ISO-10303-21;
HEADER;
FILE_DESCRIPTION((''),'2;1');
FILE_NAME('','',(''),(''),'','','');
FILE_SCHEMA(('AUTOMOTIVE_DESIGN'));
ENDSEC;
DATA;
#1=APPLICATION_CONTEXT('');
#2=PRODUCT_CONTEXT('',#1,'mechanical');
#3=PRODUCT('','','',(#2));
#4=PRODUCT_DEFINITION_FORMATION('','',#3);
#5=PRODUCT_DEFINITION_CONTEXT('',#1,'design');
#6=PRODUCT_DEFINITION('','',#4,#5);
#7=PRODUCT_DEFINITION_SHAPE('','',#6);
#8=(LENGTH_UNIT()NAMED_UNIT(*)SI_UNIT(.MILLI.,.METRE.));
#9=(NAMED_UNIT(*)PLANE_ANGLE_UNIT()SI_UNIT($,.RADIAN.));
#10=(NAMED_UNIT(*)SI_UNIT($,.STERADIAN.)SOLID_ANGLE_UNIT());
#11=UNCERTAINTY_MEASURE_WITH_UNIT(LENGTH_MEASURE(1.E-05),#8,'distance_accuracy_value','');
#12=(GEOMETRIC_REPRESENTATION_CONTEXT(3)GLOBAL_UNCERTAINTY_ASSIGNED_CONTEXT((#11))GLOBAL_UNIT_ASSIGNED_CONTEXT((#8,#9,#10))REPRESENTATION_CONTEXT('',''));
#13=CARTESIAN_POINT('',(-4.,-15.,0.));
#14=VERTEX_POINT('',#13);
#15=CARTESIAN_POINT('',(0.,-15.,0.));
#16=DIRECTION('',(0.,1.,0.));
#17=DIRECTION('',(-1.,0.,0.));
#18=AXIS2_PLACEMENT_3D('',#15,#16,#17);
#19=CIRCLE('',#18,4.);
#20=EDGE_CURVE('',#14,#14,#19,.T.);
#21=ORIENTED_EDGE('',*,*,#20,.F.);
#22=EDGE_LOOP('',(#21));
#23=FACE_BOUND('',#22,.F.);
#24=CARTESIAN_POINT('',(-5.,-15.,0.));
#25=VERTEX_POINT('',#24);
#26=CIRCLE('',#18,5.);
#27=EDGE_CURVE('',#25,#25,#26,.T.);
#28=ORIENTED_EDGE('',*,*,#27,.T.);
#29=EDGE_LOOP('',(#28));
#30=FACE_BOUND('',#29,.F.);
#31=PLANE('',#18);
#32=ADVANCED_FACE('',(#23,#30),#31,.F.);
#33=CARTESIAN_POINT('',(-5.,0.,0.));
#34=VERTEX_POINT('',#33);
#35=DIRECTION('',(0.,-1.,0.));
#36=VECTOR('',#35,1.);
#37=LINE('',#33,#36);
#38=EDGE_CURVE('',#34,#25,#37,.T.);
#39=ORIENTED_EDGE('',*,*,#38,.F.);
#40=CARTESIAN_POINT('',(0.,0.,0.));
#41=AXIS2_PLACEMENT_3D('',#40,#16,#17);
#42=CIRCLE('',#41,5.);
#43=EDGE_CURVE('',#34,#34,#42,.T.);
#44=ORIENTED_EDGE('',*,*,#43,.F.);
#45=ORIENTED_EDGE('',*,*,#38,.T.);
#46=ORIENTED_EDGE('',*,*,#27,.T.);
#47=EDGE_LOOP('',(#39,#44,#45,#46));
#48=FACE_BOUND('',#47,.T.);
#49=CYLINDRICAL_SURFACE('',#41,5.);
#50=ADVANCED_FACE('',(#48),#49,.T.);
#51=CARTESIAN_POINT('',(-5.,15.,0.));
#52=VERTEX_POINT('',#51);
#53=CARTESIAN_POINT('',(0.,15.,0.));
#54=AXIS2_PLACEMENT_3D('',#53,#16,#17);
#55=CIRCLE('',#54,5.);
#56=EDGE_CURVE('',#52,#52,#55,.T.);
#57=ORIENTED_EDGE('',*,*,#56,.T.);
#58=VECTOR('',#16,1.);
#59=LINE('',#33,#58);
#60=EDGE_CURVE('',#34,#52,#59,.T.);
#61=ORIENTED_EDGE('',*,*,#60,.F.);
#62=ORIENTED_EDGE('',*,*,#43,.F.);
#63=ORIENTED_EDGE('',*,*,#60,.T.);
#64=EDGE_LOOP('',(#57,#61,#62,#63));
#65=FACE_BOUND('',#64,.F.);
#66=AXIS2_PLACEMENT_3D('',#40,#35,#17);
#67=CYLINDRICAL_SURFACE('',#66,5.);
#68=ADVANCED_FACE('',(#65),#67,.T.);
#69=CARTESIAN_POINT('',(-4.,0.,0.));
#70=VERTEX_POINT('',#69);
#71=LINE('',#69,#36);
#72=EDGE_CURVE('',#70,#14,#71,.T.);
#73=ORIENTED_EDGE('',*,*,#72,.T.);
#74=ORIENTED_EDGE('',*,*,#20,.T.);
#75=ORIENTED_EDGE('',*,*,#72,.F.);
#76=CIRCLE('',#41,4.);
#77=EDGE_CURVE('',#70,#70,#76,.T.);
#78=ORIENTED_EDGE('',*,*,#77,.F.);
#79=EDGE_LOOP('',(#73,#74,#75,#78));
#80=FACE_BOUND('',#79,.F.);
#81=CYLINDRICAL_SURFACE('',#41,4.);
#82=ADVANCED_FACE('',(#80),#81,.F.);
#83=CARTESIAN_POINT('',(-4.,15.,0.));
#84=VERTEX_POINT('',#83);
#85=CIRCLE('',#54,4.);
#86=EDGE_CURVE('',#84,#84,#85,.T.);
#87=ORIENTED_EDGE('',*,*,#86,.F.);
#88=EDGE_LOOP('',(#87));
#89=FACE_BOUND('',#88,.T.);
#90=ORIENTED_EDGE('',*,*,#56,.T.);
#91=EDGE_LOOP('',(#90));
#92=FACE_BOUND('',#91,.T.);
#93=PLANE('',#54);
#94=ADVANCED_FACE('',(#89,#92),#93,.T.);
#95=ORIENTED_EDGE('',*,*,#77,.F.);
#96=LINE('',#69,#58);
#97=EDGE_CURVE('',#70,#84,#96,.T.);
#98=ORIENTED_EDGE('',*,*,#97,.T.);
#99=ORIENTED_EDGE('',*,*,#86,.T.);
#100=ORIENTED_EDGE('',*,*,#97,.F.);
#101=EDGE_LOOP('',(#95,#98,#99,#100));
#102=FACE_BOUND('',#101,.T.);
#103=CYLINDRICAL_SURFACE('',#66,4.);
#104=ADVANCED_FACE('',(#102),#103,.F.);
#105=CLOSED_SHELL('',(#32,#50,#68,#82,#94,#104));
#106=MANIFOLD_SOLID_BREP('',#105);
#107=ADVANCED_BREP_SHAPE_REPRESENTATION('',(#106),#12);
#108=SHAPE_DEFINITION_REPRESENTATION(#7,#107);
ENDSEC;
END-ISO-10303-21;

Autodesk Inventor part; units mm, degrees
ref_plane "YZ Plane" through (0, 0, 0) normal (1, 0, 0) x (0, 1, 0)
ref_plane "XZ Plane" through (0, 0, 0) normal (0, 1, 0) x (-1, 0, 0)
ref_plane "XY Plane" through (0, 0, 0) normal (0, 0, 1) x (1, 0, 0)
sketch "スケッチ1" plane through (0, 0, 0) normal (0, 1, 0) x (-1, 0, 0)
  circle A0 centre (0, 0) radius 5
  circle A1 centre (0, 0) radius 4
  dimension "d0" = 10
  dimension "d1" = 1
extrude "押し出し1" add sketch "スケッチ1" along normal mid plane 30
properties part number "collar_5"
